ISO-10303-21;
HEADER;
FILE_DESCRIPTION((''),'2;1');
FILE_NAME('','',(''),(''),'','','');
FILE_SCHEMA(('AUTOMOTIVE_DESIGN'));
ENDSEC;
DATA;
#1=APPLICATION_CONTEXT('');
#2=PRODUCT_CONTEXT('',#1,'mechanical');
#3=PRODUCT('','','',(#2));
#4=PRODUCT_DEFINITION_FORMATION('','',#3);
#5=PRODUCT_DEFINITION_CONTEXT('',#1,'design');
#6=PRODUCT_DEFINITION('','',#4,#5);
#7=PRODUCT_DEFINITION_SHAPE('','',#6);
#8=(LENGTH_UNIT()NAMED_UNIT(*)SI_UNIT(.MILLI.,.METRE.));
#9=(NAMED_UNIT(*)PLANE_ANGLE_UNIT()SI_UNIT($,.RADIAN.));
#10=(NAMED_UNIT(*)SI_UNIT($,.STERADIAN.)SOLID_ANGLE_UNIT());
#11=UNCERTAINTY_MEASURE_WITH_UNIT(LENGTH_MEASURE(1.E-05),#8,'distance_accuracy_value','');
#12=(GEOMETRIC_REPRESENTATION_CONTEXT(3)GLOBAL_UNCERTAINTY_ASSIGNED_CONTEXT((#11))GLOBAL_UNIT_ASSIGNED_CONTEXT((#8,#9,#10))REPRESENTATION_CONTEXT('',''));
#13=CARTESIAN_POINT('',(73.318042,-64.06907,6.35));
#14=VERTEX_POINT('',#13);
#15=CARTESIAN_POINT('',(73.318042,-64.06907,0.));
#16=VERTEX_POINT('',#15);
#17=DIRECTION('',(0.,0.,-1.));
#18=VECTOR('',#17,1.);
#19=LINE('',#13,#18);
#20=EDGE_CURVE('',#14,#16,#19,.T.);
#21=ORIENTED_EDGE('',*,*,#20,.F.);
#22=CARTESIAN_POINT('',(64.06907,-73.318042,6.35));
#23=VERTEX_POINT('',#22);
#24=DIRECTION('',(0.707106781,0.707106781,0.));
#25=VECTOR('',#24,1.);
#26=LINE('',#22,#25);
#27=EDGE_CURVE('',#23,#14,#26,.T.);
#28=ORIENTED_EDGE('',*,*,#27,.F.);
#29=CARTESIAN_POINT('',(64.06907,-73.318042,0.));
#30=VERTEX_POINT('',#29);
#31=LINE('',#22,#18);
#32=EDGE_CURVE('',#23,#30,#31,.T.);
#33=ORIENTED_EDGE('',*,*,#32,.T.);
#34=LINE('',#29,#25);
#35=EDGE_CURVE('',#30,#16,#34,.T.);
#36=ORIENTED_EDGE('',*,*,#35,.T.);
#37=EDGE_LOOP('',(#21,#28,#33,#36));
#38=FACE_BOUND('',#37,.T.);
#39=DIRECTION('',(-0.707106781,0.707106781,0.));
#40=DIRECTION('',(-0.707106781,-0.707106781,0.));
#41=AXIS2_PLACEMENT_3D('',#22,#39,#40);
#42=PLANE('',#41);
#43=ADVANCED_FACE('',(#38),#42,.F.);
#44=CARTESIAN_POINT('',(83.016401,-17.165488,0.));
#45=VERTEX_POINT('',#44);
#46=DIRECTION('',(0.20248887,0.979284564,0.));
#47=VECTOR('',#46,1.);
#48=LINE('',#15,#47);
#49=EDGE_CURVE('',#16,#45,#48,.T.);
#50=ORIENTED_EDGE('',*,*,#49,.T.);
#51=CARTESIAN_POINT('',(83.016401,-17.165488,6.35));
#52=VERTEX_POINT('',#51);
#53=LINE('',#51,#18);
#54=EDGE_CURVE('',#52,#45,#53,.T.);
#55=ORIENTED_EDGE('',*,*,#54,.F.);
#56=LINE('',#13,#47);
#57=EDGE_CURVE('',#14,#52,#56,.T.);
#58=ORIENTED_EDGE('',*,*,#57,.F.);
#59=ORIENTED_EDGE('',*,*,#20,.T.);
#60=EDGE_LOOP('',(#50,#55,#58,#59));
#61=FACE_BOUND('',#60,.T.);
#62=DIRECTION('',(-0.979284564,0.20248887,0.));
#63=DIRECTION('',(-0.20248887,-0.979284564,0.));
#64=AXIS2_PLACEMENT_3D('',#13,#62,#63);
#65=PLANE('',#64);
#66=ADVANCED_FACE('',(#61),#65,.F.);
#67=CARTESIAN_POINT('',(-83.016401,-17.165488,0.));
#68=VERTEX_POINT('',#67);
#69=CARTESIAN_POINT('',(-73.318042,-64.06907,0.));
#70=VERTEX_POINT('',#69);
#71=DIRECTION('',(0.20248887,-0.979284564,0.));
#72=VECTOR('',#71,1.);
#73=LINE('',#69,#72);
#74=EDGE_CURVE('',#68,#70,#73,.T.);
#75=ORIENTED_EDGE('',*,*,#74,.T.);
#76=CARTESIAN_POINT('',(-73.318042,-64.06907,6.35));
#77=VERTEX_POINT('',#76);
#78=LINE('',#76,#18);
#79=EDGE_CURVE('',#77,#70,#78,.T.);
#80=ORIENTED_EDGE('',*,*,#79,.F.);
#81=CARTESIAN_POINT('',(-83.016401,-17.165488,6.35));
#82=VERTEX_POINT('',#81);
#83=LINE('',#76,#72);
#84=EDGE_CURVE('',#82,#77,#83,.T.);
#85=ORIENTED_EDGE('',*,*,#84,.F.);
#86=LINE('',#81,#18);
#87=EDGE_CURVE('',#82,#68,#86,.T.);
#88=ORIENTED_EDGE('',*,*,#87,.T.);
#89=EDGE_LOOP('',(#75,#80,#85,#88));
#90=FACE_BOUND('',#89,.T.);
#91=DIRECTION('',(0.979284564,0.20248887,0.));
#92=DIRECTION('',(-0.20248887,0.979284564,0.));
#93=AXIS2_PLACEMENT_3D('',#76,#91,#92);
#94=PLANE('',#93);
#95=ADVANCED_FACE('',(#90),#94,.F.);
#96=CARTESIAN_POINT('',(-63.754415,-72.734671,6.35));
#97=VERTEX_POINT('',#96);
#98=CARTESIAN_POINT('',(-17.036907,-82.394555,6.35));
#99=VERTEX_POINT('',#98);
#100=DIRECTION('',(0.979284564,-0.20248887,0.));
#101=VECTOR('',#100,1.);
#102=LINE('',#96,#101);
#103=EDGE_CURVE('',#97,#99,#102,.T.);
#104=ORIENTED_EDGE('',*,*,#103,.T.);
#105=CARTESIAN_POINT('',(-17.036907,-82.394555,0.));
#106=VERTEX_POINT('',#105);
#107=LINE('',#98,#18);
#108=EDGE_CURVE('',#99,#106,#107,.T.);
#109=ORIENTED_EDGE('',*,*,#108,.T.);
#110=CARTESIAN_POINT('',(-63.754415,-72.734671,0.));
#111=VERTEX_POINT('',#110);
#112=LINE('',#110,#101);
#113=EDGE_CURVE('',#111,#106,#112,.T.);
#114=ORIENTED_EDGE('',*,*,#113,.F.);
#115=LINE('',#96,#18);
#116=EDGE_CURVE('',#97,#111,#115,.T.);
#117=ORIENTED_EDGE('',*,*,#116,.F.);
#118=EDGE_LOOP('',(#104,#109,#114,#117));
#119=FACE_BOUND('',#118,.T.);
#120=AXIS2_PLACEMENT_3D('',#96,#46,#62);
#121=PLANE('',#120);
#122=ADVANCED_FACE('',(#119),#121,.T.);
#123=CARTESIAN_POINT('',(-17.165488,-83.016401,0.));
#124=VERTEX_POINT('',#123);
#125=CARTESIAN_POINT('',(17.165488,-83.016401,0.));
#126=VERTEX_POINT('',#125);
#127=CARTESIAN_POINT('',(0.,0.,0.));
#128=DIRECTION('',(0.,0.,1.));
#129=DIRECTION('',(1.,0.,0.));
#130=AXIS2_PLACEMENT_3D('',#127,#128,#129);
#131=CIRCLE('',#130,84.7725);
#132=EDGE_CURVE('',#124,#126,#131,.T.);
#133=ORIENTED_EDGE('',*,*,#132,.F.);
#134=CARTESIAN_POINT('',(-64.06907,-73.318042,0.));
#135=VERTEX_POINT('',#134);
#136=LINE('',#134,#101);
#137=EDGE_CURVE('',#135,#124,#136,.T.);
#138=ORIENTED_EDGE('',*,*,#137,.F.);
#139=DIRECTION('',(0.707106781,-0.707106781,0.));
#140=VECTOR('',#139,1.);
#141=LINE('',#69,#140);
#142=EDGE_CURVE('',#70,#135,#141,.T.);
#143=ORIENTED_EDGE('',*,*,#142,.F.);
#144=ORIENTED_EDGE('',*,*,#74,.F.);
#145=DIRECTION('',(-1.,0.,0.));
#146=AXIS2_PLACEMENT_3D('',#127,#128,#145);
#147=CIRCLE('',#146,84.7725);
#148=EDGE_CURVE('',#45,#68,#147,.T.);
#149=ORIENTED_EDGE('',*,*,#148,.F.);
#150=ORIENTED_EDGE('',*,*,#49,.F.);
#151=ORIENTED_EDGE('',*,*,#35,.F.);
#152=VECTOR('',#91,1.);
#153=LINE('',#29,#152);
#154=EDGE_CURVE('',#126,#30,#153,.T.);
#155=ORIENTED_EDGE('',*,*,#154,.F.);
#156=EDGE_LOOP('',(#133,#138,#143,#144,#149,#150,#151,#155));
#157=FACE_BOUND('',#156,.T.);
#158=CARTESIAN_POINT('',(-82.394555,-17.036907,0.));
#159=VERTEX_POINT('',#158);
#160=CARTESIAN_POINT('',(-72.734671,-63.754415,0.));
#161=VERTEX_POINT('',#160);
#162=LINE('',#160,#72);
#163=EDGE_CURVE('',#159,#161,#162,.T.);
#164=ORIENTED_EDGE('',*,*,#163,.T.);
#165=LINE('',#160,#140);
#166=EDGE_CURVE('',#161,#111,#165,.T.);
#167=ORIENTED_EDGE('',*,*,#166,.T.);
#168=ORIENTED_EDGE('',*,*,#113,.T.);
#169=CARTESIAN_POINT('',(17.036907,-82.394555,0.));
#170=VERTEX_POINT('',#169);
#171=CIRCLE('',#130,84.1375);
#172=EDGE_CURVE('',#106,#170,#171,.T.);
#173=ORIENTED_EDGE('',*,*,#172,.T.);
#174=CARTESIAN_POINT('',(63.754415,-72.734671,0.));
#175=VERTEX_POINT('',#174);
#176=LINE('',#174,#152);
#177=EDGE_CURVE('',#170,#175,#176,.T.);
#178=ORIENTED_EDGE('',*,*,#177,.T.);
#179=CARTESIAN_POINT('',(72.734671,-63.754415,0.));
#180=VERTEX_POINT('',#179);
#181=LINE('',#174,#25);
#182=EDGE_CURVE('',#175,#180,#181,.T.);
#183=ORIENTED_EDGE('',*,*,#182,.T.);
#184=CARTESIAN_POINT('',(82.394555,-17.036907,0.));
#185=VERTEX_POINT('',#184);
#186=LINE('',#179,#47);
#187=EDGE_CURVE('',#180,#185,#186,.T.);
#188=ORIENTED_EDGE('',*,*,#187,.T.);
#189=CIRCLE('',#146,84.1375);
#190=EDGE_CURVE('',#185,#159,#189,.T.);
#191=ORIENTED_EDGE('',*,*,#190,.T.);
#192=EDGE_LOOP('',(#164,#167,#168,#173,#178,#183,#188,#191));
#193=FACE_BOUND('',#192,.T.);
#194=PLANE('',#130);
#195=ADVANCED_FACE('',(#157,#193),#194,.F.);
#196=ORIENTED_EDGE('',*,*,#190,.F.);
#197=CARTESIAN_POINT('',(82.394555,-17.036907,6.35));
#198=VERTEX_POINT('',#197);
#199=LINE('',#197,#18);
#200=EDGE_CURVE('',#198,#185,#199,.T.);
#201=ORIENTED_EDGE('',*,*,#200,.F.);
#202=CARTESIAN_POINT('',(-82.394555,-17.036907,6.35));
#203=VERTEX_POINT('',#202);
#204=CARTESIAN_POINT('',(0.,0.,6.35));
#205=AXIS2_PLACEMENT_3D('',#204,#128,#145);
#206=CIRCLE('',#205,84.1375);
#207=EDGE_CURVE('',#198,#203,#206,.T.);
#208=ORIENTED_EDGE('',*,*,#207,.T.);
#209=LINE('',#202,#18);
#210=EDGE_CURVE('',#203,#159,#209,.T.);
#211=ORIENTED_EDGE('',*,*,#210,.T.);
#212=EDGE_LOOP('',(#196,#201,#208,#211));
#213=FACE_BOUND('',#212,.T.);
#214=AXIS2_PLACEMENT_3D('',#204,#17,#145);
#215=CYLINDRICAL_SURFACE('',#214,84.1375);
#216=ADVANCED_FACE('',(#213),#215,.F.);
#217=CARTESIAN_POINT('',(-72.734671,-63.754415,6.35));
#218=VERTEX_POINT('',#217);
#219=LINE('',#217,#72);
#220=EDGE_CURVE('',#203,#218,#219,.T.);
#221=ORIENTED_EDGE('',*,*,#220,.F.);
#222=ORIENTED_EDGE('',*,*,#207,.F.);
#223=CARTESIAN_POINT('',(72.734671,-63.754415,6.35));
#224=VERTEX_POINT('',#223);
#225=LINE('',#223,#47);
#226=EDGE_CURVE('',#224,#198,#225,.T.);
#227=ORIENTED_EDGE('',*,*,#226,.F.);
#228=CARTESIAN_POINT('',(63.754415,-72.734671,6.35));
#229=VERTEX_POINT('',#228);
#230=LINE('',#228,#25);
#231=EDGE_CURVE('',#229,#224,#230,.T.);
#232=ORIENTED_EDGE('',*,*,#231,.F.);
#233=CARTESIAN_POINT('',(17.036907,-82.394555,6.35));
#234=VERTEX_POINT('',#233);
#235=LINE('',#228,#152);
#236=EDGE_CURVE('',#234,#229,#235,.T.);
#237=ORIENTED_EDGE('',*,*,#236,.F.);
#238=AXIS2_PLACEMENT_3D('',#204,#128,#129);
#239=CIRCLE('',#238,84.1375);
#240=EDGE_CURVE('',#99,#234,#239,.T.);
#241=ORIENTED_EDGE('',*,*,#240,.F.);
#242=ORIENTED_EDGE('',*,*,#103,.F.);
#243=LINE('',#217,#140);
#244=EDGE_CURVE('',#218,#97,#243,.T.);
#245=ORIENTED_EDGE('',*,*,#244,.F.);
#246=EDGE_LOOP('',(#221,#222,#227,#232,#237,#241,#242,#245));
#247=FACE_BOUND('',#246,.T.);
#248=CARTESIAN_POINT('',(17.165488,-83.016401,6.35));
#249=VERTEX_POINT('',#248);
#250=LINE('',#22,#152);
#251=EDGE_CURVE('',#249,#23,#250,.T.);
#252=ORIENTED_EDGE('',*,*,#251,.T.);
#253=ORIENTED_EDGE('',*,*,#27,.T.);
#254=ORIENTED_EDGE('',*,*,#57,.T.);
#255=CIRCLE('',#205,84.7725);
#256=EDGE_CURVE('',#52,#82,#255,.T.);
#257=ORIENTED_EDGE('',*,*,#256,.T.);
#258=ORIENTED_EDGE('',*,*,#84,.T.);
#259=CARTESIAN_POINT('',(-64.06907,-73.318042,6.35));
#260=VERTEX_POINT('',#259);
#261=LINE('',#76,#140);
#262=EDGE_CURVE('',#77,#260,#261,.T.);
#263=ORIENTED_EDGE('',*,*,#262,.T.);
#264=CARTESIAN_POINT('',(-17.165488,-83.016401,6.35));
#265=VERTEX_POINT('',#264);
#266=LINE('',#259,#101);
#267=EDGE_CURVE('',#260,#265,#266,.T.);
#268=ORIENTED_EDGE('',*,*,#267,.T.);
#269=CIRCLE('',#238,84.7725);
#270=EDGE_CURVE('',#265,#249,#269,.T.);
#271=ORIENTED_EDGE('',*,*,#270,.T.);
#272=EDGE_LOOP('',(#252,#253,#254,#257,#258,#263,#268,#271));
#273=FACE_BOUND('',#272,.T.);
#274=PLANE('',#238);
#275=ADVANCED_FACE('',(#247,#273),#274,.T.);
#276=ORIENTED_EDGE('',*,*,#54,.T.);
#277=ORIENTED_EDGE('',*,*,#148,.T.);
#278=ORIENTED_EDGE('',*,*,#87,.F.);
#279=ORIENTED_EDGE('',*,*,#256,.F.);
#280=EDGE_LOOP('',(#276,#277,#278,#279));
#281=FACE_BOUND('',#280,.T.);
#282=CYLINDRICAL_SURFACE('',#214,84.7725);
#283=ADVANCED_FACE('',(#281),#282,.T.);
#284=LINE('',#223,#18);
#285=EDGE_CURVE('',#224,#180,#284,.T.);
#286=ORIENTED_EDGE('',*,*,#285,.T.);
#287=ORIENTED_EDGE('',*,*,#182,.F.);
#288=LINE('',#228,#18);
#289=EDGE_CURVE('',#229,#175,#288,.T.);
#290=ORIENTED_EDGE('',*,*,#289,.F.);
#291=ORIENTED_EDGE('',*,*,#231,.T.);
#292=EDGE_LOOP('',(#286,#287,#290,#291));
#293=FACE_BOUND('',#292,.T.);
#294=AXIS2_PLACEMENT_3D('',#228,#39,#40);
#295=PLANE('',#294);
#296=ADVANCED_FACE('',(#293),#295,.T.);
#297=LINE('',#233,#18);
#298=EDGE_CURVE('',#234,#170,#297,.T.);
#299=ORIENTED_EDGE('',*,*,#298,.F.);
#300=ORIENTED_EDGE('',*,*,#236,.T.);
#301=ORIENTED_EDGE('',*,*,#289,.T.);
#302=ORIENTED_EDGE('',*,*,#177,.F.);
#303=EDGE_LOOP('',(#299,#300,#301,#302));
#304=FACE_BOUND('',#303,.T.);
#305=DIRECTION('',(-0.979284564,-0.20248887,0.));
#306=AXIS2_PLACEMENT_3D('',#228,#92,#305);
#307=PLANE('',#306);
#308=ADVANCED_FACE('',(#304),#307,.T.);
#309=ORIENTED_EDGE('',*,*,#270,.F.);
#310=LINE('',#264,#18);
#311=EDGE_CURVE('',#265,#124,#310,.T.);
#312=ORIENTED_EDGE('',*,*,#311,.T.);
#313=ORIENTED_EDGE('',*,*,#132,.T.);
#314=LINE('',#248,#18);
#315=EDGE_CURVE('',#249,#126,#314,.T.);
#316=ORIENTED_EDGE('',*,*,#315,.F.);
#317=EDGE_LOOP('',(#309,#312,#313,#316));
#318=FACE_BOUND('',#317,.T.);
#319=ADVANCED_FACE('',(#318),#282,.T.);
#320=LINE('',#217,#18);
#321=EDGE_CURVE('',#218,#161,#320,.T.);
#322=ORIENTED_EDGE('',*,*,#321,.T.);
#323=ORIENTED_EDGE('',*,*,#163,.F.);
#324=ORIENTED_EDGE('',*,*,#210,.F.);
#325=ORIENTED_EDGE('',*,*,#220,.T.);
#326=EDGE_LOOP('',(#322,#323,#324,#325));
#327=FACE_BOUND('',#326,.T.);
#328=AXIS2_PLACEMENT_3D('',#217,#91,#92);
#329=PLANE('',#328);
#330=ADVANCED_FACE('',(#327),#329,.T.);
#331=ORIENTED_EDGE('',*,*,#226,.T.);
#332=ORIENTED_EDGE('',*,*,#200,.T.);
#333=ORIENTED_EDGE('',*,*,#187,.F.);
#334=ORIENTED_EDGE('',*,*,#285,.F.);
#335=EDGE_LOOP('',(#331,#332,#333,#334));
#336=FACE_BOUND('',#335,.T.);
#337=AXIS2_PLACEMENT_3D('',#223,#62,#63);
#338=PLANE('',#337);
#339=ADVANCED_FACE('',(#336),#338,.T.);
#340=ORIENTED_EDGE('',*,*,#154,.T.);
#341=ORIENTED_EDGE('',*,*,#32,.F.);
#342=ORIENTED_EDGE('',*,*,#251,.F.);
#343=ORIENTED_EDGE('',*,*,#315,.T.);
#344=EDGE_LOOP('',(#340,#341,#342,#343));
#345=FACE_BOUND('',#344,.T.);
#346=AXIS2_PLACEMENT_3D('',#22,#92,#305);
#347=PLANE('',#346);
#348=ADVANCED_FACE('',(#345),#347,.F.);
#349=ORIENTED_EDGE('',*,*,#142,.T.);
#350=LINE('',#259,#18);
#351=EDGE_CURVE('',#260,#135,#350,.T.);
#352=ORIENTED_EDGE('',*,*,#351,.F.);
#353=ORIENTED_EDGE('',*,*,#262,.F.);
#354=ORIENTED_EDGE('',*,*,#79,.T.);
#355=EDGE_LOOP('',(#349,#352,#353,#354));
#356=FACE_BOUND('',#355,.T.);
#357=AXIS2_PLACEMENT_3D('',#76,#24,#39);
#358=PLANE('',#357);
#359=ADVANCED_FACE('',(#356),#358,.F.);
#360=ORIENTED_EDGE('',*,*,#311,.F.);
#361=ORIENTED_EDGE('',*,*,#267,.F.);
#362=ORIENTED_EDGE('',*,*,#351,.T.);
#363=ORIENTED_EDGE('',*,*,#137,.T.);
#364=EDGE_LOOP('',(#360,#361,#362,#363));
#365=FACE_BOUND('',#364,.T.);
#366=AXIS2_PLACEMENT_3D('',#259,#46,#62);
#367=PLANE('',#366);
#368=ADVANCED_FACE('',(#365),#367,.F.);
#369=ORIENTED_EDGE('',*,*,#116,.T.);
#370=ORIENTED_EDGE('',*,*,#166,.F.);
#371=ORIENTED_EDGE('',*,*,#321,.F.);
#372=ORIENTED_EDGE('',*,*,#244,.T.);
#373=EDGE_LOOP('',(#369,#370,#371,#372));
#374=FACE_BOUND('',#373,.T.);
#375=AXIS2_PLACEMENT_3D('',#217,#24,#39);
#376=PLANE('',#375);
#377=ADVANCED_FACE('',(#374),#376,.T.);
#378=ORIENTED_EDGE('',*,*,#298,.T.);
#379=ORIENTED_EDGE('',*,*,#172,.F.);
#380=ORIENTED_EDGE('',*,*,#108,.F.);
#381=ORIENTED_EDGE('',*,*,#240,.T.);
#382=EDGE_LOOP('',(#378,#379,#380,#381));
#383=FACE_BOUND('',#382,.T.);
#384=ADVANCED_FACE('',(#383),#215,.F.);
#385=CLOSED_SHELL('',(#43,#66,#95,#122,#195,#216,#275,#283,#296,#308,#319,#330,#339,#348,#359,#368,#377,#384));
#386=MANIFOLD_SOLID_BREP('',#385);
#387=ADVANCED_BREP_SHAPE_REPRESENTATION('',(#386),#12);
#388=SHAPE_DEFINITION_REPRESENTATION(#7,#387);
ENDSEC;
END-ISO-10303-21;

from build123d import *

# Parameters (mm, degrees)
BOSS_EXTRUDE1_DEPTH = 6.35


with BuildPart() as part:
    # Sketch1 → Boss-Extrude1 (new body)
    with BuildSketch(Plane.XY):
        with BuildLine():
            Line((-73.318041641, -64.069069833), (-83.016400713, -17.165487727))
            ThreePointArc((-83.016400713, -17.165487727), (0, 84.7725), (83.016400713, -17.165487727))
            Line((83.016400713, -17.165487727), (73.318041641, -64.069069833))
            Line((73.318041641, -64.069069833), (64.069069833, -73.318041641))
            Line((64.069069833, -73.318041641), (17.165487727, -83.016400713))
            ThreePointArc((17.165487727, -83.016400713), (0, -84.7725), (-17.165487727, -83.016400713))
            Line((-17.165487727, -83.016400713), (-64.069069833, -73.318041641))
            Line((-64.069069833, -73.318041641), (-73.318041641, -64.069069833))
        make_face()
        with BuildLine():
            Line((63.75441487, -72.734670991), (72.734670991, -63.75441487))
            Line((72.734670991, -63.75441487), (82.394555015, -17.036907295))
            ThreePointArc((82.394555015, -17.036907295), (0, 84.1375), (-82.394555015, -17.036907295))
            Line((-82.394555015, -17.036907295), (-72.734670991, -63.75441487))
            Line((-72.734670991, -63.75441487), (-63.75441487, -72.734670991))
            Line((-63.75441487, -72.734670991), (-17.036907295, -82.394555015))
            ThreePointArc((-17.036907295, -82.394555015), (0, -84.1375), (17.036907295, -82.394555015))
            Line((17.036907295, -82.394555015), (63.75441487, -72.734670991))
        make_face(mode=Mode.SUBTRACT)
    extrude(amount=BOSS_EXTRUDE1_DEPTH)


solid = part.part
